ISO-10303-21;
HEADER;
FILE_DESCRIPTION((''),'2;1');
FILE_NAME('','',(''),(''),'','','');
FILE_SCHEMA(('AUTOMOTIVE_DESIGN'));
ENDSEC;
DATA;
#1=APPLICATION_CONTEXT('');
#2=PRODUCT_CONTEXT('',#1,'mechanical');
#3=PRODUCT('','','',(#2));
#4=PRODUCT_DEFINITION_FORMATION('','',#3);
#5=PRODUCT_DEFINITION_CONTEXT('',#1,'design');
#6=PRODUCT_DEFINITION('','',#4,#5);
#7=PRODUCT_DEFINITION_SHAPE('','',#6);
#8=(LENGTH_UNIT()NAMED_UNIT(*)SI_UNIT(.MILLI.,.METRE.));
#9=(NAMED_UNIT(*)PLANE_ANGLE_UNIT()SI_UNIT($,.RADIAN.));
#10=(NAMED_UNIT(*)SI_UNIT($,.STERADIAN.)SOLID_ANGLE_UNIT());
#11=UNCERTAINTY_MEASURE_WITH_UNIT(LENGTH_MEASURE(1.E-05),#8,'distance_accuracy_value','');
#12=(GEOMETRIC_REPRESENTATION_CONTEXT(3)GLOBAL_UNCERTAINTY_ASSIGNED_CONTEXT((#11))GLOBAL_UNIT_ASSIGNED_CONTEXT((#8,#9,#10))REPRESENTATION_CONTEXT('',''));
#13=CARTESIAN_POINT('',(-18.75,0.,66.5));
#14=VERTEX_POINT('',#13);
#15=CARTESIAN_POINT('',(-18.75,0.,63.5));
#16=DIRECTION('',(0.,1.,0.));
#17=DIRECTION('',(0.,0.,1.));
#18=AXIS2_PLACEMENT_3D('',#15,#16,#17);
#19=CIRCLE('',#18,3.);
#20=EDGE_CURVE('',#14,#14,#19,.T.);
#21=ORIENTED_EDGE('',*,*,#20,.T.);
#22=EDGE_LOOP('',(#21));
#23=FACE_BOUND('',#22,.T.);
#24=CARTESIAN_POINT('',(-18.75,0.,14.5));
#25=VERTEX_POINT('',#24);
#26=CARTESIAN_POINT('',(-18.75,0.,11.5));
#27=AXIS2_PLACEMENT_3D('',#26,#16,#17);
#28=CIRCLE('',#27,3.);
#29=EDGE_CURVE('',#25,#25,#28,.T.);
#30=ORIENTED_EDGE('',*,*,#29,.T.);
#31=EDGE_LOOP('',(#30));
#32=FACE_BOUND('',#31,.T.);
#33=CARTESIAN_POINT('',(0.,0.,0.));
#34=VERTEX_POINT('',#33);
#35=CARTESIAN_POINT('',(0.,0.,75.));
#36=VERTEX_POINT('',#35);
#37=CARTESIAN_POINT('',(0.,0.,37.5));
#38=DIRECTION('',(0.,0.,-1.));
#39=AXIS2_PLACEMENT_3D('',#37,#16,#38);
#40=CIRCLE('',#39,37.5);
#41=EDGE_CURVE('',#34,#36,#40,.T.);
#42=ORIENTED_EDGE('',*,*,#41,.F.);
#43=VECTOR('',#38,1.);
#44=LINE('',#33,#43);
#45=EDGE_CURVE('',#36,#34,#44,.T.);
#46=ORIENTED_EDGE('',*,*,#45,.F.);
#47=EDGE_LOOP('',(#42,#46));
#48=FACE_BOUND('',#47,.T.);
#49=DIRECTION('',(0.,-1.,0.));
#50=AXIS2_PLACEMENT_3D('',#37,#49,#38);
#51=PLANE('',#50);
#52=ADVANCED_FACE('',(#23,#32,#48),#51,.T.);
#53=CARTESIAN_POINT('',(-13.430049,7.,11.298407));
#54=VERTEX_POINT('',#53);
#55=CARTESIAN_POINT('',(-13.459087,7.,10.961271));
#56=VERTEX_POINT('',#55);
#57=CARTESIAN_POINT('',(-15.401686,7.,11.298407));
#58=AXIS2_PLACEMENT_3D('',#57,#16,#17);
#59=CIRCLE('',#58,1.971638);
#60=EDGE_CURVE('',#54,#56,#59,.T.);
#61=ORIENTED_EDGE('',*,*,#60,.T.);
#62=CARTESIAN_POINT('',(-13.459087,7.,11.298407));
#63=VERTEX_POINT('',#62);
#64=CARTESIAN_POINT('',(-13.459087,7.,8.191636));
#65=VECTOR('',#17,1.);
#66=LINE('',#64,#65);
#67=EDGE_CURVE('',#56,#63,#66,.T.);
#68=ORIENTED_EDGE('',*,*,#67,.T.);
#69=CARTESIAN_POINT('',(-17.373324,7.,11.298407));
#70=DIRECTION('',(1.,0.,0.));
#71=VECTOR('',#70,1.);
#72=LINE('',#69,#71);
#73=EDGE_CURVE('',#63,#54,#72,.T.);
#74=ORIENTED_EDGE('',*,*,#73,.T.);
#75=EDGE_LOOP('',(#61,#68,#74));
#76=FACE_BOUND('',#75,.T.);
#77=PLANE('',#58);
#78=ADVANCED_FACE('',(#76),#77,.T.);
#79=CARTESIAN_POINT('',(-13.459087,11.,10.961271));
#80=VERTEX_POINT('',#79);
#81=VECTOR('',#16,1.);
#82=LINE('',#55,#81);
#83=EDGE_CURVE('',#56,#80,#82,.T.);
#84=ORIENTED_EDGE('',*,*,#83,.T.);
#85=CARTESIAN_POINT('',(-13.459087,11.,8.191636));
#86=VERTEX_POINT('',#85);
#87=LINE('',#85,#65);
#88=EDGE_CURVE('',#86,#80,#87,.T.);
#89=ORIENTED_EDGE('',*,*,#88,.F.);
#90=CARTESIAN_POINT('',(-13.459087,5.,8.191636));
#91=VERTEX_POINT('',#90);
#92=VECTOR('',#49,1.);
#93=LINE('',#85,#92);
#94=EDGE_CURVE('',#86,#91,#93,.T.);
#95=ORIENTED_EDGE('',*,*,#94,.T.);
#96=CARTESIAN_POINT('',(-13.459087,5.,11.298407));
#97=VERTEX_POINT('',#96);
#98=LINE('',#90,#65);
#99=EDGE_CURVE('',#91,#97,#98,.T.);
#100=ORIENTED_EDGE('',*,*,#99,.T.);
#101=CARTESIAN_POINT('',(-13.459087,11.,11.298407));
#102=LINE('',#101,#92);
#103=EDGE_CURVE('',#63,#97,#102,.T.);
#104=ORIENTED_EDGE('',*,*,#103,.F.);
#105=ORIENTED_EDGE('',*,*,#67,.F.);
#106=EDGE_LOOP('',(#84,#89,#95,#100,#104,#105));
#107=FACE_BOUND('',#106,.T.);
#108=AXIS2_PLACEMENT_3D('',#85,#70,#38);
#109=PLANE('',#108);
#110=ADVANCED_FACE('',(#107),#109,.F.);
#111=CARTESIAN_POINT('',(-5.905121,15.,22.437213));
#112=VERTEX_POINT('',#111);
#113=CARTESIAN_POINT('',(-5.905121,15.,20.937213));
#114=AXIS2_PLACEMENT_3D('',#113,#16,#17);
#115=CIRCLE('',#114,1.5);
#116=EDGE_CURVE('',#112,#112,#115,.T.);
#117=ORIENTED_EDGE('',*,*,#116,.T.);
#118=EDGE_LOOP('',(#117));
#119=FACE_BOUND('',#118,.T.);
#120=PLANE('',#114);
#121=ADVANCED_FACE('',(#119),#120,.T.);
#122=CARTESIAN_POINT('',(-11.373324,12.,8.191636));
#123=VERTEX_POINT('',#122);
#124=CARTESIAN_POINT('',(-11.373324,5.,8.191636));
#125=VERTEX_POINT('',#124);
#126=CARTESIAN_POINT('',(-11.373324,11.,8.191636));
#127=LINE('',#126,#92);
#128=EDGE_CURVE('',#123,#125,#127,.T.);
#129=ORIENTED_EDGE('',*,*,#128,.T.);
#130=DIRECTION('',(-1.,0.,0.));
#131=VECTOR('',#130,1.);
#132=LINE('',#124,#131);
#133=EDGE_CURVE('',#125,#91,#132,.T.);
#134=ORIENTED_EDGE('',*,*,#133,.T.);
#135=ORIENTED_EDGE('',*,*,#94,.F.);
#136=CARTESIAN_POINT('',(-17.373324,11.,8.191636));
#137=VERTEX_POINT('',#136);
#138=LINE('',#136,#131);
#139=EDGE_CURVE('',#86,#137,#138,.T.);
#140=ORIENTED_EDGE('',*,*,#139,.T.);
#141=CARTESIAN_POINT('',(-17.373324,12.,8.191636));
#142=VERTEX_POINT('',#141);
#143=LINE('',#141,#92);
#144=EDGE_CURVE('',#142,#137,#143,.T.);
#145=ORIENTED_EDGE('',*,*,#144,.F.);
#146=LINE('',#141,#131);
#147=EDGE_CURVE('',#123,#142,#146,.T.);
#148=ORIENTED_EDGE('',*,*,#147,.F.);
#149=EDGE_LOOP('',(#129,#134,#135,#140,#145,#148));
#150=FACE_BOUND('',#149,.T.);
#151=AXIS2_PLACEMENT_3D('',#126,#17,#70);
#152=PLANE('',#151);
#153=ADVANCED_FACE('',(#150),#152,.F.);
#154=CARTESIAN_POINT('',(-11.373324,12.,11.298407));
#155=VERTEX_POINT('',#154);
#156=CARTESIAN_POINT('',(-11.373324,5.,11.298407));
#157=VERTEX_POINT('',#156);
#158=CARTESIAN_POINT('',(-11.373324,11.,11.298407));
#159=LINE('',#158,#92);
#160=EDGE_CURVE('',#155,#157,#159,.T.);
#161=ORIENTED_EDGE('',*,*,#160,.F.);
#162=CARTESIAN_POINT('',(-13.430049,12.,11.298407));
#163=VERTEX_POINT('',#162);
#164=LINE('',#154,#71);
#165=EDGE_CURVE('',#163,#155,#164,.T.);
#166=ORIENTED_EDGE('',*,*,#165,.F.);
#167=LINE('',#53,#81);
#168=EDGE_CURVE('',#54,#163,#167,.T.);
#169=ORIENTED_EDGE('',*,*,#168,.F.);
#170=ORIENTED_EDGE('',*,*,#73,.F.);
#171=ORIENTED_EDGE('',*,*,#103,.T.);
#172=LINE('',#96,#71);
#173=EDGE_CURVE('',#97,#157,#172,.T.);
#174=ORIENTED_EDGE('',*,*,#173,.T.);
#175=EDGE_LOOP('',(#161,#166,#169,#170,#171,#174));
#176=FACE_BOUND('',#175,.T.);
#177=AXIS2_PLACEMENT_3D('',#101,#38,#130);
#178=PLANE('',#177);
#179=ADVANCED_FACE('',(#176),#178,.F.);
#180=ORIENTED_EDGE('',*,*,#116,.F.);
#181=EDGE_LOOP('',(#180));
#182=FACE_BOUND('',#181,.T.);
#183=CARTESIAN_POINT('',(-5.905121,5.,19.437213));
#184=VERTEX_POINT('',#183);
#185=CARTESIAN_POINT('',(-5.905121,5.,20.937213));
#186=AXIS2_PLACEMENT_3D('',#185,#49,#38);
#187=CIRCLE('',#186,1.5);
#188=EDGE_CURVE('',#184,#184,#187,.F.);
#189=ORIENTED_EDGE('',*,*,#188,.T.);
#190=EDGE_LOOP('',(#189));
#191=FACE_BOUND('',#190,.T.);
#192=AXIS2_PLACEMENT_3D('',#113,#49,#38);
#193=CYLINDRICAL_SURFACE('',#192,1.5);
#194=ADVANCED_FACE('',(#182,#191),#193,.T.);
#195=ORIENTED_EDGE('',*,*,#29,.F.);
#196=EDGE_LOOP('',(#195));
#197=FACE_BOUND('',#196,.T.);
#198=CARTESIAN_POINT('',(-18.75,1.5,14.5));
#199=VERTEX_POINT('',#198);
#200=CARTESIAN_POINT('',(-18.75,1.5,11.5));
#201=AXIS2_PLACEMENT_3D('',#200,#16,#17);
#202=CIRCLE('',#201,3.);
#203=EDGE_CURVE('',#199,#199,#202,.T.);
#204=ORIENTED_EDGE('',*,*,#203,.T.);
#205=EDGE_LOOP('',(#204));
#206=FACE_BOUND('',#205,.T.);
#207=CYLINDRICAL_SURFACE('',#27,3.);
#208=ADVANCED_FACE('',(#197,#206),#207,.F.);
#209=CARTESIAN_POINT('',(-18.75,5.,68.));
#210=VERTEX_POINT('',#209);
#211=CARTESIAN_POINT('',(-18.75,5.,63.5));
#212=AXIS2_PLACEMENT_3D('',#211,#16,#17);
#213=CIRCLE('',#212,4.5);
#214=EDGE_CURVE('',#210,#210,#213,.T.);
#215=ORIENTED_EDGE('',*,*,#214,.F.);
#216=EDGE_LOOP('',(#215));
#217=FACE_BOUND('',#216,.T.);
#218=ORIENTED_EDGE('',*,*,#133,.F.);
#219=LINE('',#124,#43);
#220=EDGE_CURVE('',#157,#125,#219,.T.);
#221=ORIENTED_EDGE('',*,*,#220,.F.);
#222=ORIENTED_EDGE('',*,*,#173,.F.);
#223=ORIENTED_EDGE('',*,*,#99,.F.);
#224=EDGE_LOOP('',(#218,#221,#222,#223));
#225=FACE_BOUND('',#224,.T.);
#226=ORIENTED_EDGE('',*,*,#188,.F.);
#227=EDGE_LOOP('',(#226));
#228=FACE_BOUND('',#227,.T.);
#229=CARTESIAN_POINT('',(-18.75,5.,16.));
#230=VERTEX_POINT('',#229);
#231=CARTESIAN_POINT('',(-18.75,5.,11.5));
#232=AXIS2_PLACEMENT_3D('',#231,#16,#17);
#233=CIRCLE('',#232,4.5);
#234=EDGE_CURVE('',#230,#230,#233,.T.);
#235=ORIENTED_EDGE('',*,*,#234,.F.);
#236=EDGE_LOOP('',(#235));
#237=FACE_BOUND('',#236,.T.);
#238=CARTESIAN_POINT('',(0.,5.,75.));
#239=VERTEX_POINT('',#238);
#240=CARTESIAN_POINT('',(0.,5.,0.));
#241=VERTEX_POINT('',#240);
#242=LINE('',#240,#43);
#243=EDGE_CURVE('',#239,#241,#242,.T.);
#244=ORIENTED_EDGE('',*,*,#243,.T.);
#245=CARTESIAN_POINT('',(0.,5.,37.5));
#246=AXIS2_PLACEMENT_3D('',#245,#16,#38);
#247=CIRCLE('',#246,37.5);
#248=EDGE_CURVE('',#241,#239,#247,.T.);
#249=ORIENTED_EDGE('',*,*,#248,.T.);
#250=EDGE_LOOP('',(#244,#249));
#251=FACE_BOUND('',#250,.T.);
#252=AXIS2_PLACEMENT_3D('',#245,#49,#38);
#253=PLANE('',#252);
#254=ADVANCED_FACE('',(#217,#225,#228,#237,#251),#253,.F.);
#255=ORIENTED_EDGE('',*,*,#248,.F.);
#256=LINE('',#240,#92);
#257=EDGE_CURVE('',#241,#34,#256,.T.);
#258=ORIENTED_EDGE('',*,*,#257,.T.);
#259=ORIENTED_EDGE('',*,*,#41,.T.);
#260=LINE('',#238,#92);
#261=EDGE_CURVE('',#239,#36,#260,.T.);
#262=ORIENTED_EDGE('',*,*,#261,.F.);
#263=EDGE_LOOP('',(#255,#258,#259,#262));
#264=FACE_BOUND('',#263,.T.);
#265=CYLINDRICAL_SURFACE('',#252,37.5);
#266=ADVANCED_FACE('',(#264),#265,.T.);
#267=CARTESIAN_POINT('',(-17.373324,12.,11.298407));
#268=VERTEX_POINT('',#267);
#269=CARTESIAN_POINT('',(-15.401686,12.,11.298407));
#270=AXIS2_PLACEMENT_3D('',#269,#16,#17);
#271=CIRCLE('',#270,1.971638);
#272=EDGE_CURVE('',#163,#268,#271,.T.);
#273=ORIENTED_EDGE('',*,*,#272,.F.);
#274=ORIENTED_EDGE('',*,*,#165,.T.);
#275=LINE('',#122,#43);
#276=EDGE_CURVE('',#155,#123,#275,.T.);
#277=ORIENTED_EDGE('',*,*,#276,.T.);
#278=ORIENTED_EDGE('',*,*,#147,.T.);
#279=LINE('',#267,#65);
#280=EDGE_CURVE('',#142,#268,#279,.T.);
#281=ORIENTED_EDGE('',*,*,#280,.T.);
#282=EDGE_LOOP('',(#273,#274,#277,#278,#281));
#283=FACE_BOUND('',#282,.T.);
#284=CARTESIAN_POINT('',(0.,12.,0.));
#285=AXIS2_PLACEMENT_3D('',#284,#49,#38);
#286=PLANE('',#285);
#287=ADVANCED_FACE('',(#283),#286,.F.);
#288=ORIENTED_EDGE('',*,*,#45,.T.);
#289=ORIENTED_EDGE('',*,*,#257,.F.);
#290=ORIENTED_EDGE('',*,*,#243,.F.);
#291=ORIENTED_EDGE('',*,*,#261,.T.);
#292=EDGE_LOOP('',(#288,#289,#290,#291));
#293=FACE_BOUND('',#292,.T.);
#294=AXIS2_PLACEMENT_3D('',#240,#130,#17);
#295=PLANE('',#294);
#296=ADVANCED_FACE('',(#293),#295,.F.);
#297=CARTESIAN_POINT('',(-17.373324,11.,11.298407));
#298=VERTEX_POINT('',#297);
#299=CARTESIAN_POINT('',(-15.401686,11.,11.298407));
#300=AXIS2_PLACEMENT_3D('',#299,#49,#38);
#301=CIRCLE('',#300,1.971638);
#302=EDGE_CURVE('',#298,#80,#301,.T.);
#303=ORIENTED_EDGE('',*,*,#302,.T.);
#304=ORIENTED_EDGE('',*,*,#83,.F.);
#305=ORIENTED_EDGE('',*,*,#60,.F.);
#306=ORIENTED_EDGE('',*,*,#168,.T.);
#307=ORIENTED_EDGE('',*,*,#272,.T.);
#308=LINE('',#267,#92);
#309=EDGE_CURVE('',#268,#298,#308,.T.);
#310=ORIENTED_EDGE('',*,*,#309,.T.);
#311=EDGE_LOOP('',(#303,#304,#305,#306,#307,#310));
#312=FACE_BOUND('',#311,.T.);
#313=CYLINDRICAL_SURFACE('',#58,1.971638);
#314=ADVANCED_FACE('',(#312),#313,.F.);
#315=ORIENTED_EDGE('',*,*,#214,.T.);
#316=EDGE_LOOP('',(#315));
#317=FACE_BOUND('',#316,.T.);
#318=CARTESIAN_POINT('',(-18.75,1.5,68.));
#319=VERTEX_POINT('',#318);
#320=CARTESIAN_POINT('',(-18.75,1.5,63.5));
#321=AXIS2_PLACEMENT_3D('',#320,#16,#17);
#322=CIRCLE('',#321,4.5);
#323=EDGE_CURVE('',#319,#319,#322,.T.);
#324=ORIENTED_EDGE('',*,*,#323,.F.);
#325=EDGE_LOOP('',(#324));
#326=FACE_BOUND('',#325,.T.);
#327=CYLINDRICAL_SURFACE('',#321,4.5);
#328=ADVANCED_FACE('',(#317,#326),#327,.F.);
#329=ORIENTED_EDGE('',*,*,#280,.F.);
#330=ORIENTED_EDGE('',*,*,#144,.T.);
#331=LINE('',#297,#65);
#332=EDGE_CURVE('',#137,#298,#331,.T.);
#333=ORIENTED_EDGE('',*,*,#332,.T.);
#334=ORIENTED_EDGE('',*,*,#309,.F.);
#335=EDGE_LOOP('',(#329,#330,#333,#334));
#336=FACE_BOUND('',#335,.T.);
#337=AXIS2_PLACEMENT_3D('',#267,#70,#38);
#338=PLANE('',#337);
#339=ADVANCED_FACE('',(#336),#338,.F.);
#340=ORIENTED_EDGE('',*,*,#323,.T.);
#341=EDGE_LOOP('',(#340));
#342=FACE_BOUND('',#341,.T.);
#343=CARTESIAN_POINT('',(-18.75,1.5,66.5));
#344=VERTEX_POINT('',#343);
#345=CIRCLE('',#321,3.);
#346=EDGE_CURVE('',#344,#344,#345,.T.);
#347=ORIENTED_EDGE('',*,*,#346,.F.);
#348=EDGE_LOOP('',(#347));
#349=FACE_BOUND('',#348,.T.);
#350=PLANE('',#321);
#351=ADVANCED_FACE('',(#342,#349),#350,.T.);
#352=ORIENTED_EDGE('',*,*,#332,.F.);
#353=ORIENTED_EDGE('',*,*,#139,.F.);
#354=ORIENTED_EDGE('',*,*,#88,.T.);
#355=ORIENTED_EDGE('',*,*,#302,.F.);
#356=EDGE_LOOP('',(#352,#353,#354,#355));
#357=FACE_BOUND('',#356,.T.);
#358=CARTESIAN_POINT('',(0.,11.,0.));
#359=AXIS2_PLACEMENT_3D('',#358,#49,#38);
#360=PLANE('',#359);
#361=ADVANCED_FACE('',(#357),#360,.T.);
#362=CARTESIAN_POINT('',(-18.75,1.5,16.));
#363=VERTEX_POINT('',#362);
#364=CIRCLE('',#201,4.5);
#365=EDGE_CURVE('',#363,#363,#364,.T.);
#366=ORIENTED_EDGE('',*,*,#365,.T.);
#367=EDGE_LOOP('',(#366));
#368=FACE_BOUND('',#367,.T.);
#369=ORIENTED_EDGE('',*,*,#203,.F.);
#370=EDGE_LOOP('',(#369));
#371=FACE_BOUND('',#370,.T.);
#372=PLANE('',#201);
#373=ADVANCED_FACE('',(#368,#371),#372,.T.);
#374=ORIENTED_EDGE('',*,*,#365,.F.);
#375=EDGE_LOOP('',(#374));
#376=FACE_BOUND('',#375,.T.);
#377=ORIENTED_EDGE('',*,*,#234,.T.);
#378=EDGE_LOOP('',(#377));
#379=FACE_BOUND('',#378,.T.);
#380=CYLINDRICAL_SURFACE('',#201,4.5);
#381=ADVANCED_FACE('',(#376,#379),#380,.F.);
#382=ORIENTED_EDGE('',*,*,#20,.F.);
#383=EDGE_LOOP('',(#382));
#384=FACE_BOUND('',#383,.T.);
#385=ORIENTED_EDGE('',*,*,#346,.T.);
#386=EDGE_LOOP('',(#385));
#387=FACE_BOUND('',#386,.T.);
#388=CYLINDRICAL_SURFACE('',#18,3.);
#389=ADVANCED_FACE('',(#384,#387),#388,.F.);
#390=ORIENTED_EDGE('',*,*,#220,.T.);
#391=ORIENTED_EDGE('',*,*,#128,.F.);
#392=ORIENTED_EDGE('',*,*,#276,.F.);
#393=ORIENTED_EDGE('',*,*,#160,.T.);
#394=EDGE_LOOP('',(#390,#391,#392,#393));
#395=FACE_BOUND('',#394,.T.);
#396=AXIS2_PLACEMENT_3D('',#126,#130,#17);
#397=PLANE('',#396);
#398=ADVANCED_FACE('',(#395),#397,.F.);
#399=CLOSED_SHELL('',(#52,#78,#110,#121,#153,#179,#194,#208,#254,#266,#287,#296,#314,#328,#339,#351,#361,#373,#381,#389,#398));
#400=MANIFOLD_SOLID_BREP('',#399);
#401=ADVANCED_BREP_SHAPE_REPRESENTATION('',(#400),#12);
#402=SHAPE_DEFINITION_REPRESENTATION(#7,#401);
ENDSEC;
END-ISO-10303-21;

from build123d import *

# Parameters (mm, degrees)
AUFSATZ_LINEAR_AUSTRAGEN1_DEPTH = 5
SKIZZE11_R                      = 4.5
SCHNITT_LINEAR_AUSTRAGEN1_DEPTH = 3.5
SKIZZE12_R                      = 3
SCHNITT_LINEAR_AUSTRAGEN2_DEPTH = 1.5
SKIZZE13_W                      = 2.085762608
SKIZZE13_H                      = 3.10677117
AUFSATZ_LINEAR_AUSTRAGEN2_DEPTH = 6
SKIZZE14_W                      = 6
SKIZZE14_H                      = 3.10677117
AUFSATZ_LINEAR_AUSTRAGEN3_DEPTH = 1
SCHNITT_LINEAR_AUSTRAGEN3_DEPTH = 5
SKIZZE17_R                      = 1.5
AUFSATZ_LINEAR_AUSTRAGEN4_DEPTH = 10


with BuildPart() as part:
    # Skizze1 → Aufsatz-Linear austragen1 (new body)
    with BuildSketch(Plane(origin=(0, 0, 0), x_dir=(1, 0, 0), z_dir=(0, 1, 0))):
        with BuildLine():
            Line((0, 0), (0, -75))
            ThreePointArc((0, -75), (-37.5, -37.5), (0, 0))
        make_face()
    extrude(amount=AUFSATZ_LINEAR_AUSTRAGEN1_DEPTH)

    # Skizze11 → Schnitt-Linear austragen1 (cut)
    with BuildSketch(Plane(origin=(0, 5, 0), x_dir=(1, 0, 0), z_dir=(0, 1, 0))):
        with Locations((-18.75, -11.5)):
            Circle(SKIZZE11_R)
        with Locations((-18.75, -63.5)):
            Circle(SKIZZE11_R)
    extrude(amount=-SCHNITT_LINEAR_AUSTRAGEN1_DEPTH, mode=Mode.SUBTRACT)

    # Skizze12 → Schnitt-Linear austragen2 (cut)
    with BuildSketch(Plane(origin=(0, 1.5, 0), x_dir=(1, 0, 0), z_dir=(0, 1, 0))):
        with Locations((-18.75, -63.5)):
            Circle(SKIZZE12_R)
        with Locations((-18.75, -11.5)):
            Circle(SKIZZE12_R)
    extrude(amount=-SCHNITT_LINEAR_AUSTRAGEN2_DEPTH, mode=Mode.SUBTRACT)

    # Skizze13 → Aufsatz-Linear austragen2 (add)
    with BuildSketch(Plane(origin=(0, 5, 0), x_dir=(1, 0, 0), z_dir=(0, 1, 0))):
        with Locations((-12.416205268, -9.745021236)):
            Rectangle(SKIZZE13_W, SKIZZE13_H)
    extrude(amount=AUFSATZ_LINEAR_AUSTRAGEN2_DEPTH)

    # Skizze14 → Aufsatz-Linear austragen3 (add)
    with BuildSketch(Plane(origin=(0, 11, 0), x_dir=(1, 0, 0), z_dir=(0, 1, 0))):
        with Locations((-14.373323964, -9.745021236)):
            Rectangle(SKIZZE14_W, SKIZZE14_H)
    extrude(amount=AUFSATZ_LINEAR_AUSTRAGEN3_DEPTH)

    # Skizze16 → Schnitt-Linear austragen3 (cut)
    with BuildSketch(Plane(origin=(0, 12, 0), x_dir=(1, 0, 0), z_dir=(0, 1, 0))):
        with BuildLine():
            Line((-17.373323964, -11.298406821), (-13.43004884, -11.298406821))
            ThreePointArc((-13.43004884, -11.298406821), (-15.401686402, -9.326769259), (-17.373323964, -11.298406821))
        make_face()
    extrude(amount=-SCHNITT_LINEAR_AUSTRAGEN3_DEPTH, mode=Mode.SUBTRACT)

    # Skizze17 → Aufsatz-Linear austragen4 (add)
    with BuildSketch(Plane(origin=(0, 5, 0), x_dir=(1, 0, 0), z_dir=(0, 1, 0))):
        with Locations((-5.905120945, -20.937212942)):
            Circle(SKIZZE17_R)
    extrude(amount=AUFSATZ_LINEAR_AUSTRAGEN4_DEPTH)


solid = part.part
